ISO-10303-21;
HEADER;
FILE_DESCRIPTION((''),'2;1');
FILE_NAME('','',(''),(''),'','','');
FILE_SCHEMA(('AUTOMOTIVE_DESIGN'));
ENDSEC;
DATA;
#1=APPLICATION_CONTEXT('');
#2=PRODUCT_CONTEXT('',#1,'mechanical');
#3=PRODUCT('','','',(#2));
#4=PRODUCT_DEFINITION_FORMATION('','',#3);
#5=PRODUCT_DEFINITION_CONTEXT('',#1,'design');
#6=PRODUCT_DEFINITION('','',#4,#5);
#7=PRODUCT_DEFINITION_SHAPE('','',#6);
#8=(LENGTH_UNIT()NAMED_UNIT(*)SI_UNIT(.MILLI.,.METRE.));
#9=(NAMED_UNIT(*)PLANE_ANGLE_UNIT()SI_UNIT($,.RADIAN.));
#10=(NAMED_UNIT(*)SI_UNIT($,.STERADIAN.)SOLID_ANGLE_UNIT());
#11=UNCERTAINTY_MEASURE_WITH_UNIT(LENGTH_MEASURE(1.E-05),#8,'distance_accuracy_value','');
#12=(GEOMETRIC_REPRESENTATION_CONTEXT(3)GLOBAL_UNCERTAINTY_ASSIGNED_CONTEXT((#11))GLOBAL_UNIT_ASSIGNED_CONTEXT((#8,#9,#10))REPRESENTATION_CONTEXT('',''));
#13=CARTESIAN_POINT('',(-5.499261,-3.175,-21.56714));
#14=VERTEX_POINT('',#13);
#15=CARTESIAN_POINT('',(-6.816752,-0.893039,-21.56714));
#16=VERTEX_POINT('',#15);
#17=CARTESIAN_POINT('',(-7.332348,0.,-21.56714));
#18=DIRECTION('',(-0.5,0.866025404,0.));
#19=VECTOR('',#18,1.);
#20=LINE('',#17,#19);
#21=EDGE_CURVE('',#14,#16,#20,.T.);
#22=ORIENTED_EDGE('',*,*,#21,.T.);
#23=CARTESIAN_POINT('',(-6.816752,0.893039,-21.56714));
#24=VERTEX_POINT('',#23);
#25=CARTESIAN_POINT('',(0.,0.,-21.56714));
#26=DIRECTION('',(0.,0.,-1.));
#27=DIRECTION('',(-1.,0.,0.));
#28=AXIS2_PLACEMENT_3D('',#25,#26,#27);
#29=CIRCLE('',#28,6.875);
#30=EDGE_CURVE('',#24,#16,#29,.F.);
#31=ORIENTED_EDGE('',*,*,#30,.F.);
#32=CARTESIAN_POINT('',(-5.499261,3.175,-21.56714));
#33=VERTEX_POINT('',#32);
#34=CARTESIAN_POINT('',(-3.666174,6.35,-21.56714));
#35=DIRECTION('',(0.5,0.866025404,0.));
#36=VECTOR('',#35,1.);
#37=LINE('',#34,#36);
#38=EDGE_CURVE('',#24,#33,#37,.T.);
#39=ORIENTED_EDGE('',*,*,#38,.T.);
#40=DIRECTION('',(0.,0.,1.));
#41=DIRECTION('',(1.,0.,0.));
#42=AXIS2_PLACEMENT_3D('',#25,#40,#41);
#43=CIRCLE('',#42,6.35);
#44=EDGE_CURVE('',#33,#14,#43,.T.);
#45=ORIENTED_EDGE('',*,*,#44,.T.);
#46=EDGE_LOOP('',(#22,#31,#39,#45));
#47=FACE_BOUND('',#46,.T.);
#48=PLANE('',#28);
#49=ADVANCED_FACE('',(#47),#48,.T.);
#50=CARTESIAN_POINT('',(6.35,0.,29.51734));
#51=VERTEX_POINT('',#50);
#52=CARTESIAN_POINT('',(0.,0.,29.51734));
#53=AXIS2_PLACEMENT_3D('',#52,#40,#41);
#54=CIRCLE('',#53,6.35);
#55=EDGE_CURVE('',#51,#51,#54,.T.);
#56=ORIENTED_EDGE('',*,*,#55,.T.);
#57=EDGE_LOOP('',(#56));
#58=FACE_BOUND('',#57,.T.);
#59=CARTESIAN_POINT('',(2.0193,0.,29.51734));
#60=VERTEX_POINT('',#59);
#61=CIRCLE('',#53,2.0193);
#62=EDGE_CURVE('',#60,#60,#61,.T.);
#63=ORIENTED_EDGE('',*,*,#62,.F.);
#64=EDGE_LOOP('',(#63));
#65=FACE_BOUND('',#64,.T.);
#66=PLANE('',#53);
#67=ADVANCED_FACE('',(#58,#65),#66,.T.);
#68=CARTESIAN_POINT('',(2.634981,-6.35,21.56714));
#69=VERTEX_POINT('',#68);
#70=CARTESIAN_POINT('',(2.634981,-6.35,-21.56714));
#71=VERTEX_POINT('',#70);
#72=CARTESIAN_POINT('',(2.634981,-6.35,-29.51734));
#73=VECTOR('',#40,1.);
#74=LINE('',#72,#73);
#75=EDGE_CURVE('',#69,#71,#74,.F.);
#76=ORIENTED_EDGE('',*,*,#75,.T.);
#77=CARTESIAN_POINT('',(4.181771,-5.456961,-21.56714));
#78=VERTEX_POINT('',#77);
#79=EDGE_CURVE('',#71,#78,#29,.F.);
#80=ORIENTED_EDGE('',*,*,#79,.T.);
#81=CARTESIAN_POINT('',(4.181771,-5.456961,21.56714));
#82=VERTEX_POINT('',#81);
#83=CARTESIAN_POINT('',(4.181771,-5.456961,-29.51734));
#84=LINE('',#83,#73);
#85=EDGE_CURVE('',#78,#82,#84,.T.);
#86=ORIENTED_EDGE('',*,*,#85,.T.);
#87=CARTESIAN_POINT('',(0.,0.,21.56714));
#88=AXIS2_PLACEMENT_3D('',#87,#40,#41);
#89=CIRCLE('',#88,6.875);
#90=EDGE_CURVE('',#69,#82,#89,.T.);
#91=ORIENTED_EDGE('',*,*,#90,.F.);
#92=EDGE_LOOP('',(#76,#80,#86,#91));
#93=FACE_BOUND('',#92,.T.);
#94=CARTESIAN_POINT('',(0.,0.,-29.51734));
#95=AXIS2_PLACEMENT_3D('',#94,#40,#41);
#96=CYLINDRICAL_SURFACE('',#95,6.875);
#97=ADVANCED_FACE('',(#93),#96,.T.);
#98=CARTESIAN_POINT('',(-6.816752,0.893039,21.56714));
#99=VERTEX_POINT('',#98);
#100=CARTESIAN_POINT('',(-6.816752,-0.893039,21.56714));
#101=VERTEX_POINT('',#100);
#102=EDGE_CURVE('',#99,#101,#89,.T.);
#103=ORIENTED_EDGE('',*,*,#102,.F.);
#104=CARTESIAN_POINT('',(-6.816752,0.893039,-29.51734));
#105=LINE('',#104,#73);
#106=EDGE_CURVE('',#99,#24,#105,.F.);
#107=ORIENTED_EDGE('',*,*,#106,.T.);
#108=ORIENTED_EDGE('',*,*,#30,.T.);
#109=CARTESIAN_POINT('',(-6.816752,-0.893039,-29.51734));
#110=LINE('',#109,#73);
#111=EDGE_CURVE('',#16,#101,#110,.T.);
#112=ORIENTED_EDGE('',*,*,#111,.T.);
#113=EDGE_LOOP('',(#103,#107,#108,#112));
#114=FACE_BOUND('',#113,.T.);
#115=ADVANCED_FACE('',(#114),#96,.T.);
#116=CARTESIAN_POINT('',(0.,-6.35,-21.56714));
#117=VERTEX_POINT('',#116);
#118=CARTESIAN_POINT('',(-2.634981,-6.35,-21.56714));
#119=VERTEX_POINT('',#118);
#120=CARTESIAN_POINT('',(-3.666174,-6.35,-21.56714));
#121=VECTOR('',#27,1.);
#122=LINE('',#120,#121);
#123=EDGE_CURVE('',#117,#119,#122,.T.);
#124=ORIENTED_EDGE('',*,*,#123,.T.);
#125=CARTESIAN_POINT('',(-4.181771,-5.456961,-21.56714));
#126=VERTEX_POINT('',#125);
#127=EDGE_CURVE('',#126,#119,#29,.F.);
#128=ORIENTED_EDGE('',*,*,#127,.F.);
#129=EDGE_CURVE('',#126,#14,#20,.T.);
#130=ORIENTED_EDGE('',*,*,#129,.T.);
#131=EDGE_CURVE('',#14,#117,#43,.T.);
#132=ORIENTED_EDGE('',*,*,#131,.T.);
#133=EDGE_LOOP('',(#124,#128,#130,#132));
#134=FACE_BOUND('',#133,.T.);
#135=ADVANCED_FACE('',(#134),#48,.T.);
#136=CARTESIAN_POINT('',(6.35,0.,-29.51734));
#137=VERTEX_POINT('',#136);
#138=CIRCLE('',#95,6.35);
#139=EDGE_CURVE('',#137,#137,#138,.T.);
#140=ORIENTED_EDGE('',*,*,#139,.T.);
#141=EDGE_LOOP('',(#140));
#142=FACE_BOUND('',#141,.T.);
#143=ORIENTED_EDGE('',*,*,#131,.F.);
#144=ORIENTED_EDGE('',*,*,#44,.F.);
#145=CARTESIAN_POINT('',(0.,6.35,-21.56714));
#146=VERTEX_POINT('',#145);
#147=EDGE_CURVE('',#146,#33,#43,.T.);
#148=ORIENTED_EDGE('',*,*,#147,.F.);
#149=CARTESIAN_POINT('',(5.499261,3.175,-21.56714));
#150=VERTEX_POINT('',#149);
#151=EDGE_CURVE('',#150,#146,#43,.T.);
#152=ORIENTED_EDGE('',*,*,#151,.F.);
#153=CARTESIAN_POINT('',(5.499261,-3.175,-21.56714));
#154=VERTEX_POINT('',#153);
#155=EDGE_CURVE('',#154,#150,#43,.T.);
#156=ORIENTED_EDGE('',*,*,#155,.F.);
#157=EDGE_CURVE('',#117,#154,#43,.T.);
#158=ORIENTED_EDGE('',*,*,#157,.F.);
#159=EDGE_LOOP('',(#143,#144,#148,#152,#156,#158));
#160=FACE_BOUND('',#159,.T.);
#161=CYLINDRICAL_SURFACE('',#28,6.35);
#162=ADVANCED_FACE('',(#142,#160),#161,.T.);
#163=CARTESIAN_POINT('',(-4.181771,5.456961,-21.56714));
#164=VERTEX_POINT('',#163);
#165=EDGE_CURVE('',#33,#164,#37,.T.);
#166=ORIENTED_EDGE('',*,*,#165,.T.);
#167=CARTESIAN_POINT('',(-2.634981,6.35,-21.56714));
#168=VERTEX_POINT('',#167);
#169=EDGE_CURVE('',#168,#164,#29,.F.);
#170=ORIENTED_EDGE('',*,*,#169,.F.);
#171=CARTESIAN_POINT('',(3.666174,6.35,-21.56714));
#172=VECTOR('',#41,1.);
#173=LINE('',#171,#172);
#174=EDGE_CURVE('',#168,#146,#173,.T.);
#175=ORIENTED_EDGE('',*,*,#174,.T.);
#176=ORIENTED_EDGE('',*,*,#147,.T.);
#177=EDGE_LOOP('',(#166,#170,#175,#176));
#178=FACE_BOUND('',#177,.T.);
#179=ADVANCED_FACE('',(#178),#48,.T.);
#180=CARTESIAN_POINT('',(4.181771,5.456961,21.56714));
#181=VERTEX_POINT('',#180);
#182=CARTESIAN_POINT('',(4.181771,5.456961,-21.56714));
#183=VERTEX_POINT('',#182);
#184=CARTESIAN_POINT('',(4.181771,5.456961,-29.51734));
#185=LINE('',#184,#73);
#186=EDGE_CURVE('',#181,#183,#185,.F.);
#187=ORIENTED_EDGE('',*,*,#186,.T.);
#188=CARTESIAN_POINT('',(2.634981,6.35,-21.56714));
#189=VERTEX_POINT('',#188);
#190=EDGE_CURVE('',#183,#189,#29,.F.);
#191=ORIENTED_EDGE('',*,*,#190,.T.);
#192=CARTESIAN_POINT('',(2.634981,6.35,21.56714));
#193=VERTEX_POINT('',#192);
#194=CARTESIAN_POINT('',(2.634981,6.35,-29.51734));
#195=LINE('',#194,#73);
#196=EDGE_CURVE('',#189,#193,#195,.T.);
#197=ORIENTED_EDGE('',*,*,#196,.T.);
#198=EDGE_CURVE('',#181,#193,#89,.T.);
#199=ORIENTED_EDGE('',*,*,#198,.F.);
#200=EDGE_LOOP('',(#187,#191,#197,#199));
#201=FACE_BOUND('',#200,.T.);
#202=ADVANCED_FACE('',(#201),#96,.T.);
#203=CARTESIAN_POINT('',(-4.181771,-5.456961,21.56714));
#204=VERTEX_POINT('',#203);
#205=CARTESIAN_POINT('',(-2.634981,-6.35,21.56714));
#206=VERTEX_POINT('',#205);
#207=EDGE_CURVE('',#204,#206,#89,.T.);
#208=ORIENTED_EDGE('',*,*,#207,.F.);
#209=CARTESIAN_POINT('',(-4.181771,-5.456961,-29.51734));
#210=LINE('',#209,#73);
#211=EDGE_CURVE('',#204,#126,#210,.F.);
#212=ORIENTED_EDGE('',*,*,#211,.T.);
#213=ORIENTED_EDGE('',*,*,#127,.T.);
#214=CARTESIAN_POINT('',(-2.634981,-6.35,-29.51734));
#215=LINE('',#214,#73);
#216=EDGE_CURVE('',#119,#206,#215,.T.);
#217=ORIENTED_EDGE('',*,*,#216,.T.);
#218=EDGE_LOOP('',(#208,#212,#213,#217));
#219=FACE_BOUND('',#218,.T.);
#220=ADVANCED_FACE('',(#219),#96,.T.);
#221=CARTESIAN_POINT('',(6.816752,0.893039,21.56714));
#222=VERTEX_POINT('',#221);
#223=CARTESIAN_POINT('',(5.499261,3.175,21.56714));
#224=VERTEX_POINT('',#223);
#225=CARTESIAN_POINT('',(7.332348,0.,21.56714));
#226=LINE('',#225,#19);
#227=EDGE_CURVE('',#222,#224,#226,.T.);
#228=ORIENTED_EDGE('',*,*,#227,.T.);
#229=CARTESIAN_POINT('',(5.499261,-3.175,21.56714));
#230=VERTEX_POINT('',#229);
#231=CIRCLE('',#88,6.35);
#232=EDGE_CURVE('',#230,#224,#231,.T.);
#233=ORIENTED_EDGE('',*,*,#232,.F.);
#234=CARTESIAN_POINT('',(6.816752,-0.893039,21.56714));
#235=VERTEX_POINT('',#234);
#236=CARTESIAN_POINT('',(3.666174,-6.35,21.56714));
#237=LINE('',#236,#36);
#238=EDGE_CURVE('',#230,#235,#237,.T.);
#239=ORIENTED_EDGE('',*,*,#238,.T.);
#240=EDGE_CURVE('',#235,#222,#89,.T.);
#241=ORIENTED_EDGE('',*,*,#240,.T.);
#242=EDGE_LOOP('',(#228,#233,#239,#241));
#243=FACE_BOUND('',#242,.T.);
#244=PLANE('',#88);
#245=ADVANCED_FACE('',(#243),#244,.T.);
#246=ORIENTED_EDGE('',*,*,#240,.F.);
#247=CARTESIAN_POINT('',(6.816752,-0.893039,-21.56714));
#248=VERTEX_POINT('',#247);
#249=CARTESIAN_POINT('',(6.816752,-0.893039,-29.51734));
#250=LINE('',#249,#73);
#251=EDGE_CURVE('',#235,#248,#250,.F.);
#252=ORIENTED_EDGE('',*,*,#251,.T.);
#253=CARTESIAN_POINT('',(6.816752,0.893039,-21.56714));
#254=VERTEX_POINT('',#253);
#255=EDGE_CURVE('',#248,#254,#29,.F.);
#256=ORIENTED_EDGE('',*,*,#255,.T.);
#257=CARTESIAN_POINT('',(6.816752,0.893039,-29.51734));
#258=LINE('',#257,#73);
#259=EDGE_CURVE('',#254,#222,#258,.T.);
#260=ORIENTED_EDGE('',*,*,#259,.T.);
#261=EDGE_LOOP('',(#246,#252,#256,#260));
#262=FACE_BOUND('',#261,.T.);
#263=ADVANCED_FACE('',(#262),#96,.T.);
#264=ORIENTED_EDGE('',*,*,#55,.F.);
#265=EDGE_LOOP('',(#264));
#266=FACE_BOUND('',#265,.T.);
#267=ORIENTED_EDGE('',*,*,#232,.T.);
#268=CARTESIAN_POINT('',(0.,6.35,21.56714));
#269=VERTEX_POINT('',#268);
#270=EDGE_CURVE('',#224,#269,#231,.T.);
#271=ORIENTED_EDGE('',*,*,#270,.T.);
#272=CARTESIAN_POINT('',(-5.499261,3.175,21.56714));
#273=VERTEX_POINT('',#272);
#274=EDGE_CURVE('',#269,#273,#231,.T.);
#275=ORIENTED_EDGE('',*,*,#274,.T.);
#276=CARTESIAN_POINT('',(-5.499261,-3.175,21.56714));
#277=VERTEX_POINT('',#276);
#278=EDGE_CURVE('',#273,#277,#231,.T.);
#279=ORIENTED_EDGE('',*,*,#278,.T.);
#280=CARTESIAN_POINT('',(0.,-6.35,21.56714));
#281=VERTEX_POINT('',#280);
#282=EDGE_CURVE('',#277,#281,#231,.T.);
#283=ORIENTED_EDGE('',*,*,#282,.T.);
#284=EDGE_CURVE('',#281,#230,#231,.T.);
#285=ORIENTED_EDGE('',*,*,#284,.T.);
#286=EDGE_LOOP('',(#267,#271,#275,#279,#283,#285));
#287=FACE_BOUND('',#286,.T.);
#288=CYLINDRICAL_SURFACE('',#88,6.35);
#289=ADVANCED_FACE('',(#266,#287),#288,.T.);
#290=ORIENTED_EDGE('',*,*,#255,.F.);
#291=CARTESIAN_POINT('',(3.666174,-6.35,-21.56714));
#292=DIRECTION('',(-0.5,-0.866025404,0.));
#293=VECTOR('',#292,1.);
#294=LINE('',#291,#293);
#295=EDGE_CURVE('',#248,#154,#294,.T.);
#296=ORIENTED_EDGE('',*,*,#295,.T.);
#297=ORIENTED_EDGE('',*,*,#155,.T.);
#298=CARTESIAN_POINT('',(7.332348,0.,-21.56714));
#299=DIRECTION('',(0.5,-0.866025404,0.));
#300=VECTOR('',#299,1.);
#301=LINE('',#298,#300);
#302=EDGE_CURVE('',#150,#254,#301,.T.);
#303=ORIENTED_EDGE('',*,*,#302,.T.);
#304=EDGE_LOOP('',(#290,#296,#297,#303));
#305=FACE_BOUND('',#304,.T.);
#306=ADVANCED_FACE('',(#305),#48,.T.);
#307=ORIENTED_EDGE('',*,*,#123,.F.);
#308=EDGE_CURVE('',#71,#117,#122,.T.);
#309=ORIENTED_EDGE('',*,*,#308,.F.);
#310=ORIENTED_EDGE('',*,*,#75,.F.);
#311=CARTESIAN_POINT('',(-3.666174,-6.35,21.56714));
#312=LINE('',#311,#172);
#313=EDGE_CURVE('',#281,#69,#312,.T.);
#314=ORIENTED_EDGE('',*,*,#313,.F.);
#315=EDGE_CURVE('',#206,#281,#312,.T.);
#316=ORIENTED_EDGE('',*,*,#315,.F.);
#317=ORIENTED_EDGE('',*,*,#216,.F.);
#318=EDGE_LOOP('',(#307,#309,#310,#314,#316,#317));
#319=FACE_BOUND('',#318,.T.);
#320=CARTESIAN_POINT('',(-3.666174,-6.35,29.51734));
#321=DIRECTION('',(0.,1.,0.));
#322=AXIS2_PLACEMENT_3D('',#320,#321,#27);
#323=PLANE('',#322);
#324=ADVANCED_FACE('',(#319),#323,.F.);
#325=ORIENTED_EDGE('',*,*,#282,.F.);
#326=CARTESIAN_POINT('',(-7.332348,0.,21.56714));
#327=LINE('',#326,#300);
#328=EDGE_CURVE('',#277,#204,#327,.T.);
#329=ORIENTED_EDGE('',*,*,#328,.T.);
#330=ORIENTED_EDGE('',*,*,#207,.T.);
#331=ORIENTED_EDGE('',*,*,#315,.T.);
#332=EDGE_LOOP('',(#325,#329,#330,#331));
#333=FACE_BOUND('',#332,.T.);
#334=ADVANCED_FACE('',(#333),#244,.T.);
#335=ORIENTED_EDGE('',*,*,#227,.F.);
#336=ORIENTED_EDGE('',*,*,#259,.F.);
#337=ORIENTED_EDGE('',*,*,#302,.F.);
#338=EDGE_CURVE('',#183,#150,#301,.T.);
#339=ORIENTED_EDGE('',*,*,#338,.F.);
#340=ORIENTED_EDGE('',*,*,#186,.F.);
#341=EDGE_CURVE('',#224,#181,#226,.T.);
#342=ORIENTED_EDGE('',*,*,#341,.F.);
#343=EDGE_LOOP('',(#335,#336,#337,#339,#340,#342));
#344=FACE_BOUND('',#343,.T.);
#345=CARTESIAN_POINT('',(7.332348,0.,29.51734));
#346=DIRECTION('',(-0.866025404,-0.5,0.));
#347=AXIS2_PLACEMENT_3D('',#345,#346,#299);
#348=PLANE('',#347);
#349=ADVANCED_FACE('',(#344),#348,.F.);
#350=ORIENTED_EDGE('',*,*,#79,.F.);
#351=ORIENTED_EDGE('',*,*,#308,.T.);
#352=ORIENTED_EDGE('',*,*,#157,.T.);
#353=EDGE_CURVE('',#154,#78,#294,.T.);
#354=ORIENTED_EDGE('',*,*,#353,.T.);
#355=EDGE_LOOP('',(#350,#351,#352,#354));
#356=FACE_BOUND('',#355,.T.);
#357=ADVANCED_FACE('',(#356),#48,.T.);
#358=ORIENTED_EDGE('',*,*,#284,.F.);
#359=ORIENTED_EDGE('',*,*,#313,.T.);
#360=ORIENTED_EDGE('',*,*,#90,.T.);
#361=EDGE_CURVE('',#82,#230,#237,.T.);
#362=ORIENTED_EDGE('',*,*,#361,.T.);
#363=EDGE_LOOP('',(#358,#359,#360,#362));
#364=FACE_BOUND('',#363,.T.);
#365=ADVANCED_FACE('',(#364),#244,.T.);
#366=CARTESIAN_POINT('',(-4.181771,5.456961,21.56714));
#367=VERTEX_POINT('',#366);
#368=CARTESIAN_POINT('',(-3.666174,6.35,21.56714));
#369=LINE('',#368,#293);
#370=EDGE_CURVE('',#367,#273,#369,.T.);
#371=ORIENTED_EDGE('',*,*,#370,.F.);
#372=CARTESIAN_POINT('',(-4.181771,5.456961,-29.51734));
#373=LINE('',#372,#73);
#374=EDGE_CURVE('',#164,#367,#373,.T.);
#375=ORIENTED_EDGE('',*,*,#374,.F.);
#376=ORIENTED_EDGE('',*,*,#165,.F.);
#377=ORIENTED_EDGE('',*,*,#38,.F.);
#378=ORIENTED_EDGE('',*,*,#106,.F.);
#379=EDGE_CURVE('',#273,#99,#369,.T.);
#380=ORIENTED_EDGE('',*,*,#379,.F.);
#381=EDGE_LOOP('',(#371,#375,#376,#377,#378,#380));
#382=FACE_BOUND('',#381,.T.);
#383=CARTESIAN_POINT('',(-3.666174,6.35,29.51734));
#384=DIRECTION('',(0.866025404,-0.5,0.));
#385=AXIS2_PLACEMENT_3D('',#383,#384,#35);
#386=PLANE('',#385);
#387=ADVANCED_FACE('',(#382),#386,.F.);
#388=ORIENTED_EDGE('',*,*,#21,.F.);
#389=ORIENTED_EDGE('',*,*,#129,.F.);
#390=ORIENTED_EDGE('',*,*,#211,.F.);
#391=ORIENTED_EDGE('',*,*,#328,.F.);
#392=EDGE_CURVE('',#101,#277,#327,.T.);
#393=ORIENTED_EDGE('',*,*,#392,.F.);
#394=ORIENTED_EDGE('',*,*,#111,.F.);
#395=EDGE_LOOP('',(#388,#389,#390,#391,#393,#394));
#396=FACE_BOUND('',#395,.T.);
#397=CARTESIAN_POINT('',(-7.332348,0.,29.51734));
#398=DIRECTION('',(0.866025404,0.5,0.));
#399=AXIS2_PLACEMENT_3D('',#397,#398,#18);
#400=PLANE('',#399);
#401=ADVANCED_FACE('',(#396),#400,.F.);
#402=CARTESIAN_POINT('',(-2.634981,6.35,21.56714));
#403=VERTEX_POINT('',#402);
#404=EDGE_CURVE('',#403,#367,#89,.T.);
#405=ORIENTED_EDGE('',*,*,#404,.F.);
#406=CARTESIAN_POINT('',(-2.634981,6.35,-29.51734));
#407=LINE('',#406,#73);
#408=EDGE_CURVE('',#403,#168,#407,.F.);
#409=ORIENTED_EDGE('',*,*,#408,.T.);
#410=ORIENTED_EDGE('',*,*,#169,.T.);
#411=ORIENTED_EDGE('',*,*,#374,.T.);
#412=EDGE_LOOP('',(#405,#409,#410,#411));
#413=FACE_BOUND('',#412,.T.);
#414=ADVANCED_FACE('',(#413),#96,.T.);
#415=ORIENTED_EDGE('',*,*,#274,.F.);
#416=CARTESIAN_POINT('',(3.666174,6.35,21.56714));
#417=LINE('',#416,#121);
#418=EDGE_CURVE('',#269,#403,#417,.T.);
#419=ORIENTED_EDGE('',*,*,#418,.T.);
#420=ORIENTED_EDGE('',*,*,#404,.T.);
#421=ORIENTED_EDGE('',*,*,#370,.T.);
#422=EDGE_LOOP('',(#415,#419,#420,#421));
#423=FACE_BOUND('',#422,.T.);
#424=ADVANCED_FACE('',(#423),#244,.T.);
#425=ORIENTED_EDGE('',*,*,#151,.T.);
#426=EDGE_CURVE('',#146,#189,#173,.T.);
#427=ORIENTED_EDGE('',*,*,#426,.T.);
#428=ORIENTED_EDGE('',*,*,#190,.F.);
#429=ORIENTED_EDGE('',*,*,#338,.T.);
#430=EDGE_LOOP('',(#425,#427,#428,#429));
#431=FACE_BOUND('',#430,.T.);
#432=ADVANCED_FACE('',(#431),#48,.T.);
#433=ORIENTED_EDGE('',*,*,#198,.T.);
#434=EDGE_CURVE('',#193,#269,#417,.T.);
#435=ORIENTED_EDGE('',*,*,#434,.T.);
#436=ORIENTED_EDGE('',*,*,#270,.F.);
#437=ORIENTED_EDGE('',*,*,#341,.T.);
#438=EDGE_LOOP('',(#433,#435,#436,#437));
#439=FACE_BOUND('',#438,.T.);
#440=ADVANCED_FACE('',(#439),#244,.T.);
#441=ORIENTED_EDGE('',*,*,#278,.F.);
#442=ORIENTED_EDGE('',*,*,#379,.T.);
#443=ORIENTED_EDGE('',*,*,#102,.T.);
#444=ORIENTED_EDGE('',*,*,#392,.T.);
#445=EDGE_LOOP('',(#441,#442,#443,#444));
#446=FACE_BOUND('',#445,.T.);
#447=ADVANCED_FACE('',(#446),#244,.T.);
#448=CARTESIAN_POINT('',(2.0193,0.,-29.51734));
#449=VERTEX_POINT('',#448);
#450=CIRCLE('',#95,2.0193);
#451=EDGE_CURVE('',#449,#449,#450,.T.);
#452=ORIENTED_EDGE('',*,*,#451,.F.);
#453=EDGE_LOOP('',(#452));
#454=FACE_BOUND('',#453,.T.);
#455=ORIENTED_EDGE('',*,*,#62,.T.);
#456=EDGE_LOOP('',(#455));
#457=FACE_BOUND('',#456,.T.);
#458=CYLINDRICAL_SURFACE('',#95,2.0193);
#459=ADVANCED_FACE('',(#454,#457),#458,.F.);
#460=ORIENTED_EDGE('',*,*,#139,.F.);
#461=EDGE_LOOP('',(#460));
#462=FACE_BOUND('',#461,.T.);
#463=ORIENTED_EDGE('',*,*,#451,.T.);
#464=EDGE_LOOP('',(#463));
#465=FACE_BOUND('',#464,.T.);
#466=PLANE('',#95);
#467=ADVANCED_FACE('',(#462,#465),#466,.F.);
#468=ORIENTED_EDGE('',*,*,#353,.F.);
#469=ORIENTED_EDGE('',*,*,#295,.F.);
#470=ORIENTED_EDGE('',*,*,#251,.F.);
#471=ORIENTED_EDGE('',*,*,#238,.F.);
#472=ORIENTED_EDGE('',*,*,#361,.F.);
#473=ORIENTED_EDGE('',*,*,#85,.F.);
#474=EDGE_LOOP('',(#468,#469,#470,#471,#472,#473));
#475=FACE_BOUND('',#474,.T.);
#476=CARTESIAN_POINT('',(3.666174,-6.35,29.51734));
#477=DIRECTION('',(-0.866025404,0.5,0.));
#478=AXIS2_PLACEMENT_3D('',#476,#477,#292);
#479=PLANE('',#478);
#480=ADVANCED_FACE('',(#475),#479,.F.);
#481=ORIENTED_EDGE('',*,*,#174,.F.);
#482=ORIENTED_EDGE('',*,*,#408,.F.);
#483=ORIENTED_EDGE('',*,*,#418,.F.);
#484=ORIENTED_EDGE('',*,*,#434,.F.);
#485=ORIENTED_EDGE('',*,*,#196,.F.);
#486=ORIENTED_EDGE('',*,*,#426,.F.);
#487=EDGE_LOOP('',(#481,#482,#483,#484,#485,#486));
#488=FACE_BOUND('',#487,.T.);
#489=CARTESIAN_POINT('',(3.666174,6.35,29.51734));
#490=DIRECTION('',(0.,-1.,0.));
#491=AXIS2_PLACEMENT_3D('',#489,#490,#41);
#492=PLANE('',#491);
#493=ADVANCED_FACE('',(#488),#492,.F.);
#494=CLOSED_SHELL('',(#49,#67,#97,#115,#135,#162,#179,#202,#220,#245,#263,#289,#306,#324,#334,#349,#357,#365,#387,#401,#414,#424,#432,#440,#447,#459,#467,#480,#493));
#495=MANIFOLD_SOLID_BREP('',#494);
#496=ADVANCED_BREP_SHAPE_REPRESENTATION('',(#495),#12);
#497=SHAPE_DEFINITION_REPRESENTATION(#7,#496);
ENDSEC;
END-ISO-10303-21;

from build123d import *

# Parameters (mm, degrees)
BOSS_EXTRUDE1_DEPTH = 29.51734
SKETCH2_OUTSIDE_W   = 29.092
SKETCH2_OUTSIDE_H   = 27.128
SKETCH2_OUTSIDE_R   = 6.35
CUT_EXTRUDE2_DEPTH  = 7.9502
SKETCH3_OUTSIDE_W   = 29.092
SKETCH3_OUTSIDE_H   = 27.128
SKETCH3_OUTSIDE_R   = 6.875
CUT_EXTRUDE4_DEPTH  = 60.826242369
SKETCH4_R           = 2.0193
CUT_EXTRUDE5_DEPTH  = 60.771912866


with BuildPart() as part:
    # Sketch1 → Boss-Extrude1 (new, symmetric)
    with BuildSketch(Plane.XY):
        Polygon((7.332348419, 0), (3.666174209, 6.35), (-3.666174209, 6.35), (-7.332348419, 0), (-3.666174209, -6.35), (3.666174209, -6.35), align=None)
    extrude(amount=BOSS_EXTRUDE1_DEPTH, both=True)

    # Sketch2 outside → Cut-Extrude2 (cut)
    with BuildSketch(Plane.XY.offset(29.51734)):
        Rectangle(SKETCH2_OUTSIDE_W, SKETCH2_OUTSIDE_H)
        Circle(SKETCH2_OUTSIDE_R, mode=Mode.SUBTRACT)
    cut_extrude2 = extrude(amount=-CUT_EXTRUDE2_DEPTH, mode=Mode.SUBTRACT)

    # Sketch3 outside → Cut-Extrude4 (cut, through all)
    with BuildSketch(Plane.XY.offset(29.51734)):
        Rectangle(SKETCH3_OUTSIDE_W, SKETCH3_OUTSIDE_H)
        Circle(SKETCH3_OUTSIDE_R, mode=Mode.SUBTRACT)
    extrude(amount=-CUT_EXTRUDE4_DEPTH, mode=Mode.SUBTRACT)

    # Mirror1: Cut-Extrude2 across plane
    add(cut_extrude2.mirror(Plane.XY), mode=Mode.SUBTRACT)

    # Sketch4 → Cut-Extrude5 (cut, through all)
    with BuildSketch(Plane.XY.offset(29.51734)):
        Circle(SKETCH4_R)
    extrude(amount=-CUT_EXTRUDE5_DEPTH, mode=Mode.SUBTRACT)


solid = part.part
